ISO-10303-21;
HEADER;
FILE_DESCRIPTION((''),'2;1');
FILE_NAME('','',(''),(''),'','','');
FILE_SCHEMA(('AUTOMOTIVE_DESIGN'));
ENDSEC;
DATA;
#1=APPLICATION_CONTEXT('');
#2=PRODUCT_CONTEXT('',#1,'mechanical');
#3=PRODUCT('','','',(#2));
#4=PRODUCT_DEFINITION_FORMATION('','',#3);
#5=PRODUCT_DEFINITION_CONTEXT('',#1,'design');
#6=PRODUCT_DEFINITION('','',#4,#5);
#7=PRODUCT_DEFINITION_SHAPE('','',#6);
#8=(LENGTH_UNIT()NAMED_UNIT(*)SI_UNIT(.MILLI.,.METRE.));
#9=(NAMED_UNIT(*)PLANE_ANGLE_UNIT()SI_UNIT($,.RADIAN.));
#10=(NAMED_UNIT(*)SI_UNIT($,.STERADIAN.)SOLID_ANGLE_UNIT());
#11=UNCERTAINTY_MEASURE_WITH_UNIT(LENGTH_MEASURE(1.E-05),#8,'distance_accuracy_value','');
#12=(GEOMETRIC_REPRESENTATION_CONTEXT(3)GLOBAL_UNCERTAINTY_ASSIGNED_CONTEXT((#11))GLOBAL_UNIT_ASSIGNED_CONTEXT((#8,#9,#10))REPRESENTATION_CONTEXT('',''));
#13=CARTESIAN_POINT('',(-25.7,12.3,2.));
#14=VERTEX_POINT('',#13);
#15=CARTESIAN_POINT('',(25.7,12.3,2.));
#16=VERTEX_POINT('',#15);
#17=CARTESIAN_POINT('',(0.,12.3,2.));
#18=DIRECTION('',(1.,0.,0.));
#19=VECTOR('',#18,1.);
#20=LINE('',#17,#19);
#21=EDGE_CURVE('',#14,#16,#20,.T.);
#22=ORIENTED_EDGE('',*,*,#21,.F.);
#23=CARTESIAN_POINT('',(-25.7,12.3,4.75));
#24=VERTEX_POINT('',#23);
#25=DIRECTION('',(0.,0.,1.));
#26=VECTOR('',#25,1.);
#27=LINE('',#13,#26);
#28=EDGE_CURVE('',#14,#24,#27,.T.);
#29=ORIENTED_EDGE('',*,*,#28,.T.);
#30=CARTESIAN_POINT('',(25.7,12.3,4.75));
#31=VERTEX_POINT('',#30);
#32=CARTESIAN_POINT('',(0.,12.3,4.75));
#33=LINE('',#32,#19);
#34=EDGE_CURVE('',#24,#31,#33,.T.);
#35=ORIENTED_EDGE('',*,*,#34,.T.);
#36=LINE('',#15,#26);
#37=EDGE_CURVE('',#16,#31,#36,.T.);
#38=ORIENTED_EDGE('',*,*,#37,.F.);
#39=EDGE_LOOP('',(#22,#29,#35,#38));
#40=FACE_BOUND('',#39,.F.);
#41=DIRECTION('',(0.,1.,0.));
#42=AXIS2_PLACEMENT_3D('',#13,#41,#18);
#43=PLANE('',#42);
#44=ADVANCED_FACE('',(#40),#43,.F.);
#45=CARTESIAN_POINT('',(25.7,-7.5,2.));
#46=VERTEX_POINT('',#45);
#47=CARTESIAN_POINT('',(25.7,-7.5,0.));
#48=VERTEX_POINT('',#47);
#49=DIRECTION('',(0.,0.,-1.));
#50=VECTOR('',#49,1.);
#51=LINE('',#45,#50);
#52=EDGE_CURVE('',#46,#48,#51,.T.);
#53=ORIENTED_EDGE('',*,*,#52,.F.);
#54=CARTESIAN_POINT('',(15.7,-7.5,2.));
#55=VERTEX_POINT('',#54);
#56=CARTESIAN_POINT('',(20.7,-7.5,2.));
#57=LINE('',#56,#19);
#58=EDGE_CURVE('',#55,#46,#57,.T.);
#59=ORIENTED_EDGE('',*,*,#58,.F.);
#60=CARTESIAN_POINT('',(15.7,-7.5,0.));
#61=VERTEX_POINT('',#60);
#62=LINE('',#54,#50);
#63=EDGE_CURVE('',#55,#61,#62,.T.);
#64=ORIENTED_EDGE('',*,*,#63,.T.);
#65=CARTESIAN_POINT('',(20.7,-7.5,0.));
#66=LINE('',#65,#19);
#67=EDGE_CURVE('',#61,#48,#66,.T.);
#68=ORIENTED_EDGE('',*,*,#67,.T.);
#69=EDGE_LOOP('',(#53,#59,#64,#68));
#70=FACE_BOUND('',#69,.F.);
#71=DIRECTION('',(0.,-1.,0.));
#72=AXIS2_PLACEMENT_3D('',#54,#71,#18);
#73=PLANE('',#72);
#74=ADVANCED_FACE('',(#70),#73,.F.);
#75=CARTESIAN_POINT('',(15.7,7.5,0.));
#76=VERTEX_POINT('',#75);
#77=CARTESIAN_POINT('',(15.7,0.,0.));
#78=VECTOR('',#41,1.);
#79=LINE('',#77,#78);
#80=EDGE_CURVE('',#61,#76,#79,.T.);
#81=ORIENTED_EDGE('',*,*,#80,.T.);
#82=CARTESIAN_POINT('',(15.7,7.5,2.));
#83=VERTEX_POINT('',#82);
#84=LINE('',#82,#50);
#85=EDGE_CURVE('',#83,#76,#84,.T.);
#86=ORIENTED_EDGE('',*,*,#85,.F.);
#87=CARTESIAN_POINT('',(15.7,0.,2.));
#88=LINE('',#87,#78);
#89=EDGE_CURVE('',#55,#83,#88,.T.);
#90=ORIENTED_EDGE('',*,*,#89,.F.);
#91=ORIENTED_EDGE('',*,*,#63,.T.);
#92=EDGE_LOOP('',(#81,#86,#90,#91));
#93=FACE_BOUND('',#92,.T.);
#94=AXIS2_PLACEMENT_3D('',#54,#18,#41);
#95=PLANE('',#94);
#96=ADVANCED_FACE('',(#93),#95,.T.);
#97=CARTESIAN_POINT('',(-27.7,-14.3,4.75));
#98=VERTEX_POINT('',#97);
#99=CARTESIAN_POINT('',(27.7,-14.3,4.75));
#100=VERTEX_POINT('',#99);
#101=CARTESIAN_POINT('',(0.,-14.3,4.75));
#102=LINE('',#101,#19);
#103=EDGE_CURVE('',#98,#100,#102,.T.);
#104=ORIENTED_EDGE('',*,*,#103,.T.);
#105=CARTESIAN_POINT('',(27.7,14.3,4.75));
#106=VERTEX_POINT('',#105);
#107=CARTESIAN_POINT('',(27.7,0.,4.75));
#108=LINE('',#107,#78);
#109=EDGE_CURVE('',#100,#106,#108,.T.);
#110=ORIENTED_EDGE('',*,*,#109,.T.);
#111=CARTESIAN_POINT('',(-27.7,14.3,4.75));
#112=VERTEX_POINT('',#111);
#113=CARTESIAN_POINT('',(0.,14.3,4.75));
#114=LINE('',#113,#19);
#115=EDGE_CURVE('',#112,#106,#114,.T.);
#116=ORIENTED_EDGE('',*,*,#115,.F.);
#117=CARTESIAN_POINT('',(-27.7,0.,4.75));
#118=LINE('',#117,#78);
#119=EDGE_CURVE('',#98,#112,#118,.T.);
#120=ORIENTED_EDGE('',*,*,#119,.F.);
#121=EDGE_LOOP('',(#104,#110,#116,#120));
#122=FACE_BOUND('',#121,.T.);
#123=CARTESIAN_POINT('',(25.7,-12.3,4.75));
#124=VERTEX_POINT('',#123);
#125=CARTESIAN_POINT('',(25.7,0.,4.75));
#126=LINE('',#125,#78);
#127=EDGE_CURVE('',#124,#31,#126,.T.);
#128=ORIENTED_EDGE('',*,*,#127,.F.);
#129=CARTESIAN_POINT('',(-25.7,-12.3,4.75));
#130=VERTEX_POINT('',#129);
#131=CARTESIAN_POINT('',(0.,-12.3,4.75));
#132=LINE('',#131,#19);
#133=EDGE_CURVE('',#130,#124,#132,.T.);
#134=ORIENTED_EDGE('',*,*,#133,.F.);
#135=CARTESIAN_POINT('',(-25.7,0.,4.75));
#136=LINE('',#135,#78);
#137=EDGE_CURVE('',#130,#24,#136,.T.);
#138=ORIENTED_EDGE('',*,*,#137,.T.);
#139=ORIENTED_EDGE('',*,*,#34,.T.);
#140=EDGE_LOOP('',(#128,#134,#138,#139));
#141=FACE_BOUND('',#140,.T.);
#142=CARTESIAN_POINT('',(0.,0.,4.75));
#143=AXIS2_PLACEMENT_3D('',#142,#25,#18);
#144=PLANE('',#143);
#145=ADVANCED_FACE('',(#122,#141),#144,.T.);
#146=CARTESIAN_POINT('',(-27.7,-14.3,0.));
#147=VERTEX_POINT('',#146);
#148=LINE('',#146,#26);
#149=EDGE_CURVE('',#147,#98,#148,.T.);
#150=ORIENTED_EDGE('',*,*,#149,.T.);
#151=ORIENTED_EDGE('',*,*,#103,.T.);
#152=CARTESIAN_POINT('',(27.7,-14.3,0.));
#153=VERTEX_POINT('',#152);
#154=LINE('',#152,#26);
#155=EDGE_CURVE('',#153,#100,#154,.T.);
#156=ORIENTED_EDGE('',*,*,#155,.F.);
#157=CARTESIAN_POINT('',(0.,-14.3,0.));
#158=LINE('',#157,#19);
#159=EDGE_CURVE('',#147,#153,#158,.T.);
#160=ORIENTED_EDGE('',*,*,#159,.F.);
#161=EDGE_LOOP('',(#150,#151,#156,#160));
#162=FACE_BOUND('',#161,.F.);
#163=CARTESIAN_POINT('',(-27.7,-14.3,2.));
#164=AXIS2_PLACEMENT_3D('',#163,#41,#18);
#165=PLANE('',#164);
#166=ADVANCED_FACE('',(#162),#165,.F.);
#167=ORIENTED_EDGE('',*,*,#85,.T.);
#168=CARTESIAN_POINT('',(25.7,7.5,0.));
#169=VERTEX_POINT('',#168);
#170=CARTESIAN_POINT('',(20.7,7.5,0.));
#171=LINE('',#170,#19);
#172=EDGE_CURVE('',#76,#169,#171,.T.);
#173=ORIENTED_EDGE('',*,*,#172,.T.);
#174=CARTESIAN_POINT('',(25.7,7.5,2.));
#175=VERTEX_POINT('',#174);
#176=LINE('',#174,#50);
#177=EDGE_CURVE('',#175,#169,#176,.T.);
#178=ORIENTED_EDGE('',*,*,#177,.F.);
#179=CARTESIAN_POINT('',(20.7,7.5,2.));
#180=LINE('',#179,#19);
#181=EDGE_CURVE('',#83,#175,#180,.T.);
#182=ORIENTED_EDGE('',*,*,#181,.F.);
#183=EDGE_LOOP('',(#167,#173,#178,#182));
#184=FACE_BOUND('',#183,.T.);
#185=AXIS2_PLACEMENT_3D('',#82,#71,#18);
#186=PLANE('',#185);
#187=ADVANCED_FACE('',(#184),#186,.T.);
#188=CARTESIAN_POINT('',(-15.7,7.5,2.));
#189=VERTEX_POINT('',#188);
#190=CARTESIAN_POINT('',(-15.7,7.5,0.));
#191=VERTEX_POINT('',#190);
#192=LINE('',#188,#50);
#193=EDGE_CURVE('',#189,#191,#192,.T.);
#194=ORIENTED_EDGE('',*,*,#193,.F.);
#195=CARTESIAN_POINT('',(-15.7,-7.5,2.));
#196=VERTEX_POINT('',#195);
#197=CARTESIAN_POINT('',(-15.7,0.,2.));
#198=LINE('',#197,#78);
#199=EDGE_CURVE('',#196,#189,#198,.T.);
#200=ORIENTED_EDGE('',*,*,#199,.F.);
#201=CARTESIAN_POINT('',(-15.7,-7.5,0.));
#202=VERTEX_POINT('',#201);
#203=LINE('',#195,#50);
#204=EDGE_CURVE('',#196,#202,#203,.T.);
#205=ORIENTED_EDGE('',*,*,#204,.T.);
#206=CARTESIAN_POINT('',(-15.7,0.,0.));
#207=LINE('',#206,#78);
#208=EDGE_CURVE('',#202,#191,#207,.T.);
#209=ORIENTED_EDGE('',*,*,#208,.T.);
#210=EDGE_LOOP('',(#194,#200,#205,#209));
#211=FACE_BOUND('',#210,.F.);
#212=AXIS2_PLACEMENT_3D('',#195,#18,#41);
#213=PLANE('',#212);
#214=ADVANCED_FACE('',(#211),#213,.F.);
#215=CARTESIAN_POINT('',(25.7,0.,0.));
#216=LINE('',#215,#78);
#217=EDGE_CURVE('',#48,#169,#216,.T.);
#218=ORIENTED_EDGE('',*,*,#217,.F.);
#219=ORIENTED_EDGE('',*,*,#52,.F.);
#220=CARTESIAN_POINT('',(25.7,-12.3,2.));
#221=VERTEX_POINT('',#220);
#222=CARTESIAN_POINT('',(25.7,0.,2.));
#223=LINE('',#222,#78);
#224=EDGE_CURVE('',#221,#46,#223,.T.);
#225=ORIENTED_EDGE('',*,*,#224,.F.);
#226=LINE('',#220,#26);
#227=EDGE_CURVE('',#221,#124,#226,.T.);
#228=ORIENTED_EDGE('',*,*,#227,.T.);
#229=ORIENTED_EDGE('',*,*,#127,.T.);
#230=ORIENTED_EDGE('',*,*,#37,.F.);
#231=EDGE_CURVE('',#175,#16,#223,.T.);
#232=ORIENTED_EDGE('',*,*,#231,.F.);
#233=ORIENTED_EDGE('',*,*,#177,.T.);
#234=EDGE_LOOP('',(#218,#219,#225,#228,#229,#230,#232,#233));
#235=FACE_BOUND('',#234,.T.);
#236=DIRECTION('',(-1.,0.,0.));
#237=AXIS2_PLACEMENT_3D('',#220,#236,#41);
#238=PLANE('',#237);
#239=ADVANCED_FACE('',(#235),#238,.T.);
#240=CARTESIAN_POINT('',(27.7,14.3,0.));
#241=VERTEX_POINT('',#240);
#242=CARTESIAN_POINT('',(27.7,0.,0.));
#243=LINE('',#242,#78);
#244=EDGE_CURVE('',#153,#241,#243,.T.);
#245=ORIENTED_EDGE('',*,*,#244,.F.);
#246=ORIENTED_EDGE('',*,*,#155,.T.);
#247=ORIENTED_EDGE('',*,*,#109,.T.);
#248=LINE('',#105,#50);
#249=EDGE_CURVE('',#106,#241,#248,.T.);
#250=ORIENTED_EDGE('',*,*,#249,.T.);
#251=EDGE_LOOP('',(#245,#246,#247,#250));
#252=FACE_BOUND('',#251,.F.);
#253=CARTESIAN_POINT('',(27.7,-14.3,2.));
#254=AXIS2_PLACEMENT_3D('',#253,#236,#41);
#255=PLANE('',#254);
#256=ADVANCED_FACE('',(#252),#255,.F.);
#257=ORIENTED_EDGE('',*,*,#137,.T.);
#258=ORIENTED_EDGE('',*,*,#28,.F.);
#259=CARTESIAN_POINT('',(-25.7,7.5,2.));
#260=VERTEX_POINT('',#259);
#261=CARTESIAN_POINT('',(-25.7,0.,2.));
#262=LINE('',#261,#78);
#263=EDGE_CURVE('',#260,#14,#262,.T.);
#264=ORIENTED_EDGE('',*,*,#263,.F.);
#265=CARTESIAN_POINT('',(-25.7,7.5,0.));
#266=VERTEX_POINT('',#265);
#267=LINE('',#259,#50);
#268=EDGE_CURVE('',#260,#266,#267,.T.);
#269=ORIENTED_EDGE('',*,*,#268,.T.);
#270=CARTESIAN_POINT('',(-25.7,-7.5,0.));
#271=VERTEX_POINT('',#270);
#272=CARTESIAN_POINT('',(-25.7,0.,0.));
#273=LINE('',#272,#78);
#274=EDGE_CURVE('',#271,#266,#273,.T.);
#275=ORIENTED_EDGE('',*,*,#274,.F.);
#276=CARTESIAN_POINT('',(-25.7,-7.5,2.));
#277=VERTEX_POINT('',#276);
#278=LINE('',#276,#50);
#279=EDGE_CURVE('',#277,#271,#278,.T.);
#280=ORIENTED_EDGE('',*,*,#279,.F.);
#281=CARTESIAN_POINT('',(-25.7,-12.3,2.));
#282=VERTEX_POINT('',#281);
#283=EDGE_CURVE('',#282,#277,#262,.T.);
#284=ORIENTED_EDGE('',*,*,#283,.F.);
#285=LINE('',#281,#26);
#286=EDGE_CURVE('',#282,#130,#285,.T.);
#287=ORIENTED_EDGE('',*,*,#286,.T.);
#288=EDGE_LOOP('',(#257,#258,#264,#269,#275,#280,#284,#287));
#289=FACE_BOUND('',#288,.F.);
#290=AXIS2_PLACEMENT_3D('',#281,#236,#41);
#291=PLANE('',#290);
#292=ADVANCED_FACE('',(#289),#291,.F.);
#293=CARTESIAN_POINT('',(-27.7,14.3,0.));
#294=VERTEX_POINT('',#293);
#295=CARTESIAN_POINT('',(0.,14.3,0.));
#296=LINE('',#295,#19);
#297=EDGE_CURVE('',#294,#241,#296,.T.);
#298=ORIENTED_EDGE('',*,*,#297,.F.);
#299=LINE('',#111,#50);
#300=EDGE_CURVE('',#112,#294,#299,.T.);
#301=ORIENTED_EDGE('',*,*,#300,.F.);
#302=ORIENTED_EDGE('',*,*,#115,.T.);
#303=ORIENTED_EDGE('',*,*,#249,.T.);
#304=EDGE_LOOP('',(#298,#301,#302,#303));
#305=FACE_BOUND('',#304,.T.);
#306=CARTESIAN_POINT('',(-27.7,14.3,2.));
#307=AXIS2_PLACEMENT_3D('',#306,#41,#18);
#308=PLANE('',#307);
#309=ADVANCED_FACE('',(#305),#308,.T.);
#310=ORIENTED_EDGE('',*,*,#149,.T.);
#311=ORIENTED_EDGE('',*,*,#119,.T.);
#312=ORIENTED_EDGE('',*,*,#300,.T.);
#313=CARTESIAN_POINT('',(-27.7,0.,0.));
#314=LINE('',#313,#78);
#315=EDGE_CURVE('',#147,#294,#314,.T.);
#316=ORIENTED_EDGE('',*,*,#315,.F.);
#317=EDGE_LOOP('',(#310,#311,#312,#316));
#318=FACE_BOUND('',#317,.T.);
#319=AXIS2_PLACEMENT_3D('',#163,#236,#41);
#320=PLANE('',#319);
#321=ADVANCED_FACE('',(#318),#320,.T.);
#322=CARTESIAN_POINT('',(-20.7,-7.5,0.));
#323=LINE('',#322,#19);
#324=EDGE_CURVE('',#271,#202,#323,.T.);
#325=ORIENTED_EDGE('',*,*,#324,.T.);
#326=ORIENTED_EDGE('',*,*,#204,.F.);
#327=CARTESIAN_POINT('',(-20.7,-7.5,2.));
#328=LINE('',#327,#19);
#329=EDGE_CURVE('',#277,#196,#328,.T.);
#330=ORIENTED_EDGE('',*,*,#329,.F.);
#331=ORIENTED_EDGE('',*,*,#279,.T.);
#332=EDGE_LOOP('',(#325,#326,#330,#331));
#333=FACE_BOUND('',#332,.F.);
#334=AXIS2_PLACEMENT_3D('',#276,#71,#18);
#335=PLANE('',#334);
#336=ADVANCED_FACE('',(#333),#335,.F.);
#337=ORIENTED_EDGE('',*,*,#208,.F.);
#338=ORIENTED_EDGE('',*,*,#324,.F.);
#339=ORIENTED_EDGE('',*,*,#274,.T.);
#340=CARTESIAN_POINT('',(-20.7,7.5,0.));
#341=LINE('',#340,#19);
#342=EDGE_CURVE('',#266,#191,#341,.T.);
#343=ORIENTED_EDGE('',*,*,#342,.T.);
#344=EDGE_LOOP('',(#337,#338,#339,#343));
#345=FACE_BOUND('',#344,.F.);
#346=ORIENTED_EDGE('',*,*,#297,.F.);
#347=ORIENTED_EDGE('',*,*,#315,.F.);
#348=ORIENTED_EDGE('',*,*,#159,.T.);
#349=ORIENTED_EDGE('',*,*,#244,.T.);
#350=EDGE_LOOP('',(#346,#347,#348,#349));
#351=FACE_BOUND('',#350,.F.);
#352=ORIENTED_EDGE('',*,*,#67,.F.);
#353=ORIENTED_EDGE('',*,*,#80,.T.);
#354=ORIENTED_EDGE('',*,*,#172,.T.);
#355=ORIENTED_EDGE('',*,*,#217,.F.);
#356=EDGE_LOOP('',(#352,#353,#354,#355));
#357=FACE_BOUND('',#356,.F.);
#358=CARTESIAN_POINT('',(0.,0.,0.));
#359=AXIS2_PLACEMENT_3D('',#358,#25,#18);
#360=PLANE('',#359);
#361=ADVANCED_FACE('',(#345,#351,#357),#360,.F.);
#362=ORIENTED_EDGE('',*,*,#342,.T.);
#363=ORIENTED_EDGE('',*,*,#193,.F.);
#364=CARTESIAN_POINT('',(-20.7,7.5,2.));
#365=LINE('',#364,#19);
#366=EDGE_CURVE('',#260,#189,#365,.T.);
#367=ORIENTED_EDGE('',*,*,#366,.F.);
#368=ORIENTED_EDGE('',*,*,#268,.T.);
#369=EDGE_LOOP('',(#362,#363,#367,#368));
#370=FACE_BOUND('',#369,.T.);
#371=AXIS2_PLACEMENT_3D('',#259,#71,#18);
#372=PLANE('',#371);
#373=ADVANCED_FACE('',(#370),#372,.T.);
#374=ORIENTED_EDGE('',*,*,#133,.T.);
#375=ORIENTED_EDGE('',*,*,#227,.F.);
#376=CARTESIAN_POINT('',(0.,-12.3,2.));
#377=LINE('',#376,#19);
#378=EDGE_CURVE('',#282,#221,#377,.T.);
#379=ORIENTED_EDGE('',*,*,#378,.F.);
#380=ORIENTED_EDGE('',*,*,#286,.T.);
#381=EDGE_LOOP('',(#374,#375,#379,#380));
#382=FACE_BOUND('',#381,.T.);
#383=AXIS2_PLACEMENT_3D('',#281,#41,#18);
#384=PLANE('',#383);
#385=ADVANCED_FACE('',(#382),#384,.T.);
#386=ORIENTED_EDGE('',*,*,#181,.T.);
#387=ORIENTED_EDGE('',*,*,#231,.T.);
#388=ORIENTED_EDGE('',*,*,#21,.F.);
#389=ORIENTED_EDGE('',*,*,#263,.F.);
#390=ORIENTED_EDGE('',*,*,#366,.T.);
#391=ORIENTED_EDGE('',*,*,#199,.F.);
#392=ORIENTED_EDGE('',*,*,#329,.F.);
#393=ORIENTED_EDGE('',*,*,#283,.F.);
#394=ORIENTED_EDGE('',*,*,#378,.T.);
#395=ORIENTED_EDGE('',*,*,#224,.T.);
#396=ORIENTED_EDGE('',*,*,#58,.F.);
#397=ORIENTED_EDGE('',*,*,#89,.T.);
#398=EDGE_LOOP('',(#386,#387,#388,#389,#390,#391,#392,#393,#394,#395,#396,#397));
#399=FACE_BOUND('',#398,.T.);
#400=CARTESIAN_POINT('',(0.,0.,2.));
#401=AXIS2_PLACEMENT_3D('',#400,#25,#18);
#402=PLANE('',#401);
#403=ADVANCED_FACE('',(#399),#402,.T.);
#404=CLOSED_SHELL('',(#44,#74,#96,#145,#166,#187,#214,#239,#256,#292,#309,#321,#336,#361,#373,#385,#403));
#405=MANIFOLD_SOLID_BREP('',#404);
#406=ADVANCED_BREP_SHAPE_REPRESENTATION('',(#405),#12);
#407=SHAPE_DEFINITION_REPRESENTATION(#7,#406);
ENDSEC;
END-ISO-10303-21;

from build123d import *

# Parameters (mm, degrees)
SKETCH015_W     = 55.4
SKETCH015_H     = 28.6
PAD011_DEPTH    = 2
SKETCH016_W     = 55.4
SKETCH016_H     = 28.6
SKETCH016_W_2   = 51.4
SKETCH016_H_2   = 24.6
PAD012_DEPTH    = 2.75
SKETCH019_W     = 10
SKETCH019_H     = 15
POCKET006_DEPTH = 2


with BuildPart() as part:
    # Sketch015 → Pad011 (new body)
    with BuildSketch(Plane.XY):
        Rectangle(SKETCH015_W, SKETCH015_H)
    extrude(amount=PAD011_DEPTH)

    # Sketch016 (on Face6 of Pad011) → Pad012 (join)
    with BuildSketch(Plane.XY.offset(2)):
        Rectangle(SKETCH016_W, SKETCH016_H)
        Rectangle(SKETCH016_W_2, SKETCH016_H_2, mode=Mode.SUBTRACT)
    extrude(amount=PAD012_DEPTH)

    # Sketch019 (on Face15 of Pad012) → Pocket006 (cut)
    with BuildSketch(Plane.XY.offset(2)):
        with Locations((-20.7, 0)):
            Rectangle(SKETCH019_W, SKETCH019_H)
        with Locations((20.7, 0)):
            Rectangle(SKETCH019_W, SKETCH019_H)
    extrude(amount=-POCKET006_DEPTH, mode=Mode.SUBTRACT)


solid = part.part
